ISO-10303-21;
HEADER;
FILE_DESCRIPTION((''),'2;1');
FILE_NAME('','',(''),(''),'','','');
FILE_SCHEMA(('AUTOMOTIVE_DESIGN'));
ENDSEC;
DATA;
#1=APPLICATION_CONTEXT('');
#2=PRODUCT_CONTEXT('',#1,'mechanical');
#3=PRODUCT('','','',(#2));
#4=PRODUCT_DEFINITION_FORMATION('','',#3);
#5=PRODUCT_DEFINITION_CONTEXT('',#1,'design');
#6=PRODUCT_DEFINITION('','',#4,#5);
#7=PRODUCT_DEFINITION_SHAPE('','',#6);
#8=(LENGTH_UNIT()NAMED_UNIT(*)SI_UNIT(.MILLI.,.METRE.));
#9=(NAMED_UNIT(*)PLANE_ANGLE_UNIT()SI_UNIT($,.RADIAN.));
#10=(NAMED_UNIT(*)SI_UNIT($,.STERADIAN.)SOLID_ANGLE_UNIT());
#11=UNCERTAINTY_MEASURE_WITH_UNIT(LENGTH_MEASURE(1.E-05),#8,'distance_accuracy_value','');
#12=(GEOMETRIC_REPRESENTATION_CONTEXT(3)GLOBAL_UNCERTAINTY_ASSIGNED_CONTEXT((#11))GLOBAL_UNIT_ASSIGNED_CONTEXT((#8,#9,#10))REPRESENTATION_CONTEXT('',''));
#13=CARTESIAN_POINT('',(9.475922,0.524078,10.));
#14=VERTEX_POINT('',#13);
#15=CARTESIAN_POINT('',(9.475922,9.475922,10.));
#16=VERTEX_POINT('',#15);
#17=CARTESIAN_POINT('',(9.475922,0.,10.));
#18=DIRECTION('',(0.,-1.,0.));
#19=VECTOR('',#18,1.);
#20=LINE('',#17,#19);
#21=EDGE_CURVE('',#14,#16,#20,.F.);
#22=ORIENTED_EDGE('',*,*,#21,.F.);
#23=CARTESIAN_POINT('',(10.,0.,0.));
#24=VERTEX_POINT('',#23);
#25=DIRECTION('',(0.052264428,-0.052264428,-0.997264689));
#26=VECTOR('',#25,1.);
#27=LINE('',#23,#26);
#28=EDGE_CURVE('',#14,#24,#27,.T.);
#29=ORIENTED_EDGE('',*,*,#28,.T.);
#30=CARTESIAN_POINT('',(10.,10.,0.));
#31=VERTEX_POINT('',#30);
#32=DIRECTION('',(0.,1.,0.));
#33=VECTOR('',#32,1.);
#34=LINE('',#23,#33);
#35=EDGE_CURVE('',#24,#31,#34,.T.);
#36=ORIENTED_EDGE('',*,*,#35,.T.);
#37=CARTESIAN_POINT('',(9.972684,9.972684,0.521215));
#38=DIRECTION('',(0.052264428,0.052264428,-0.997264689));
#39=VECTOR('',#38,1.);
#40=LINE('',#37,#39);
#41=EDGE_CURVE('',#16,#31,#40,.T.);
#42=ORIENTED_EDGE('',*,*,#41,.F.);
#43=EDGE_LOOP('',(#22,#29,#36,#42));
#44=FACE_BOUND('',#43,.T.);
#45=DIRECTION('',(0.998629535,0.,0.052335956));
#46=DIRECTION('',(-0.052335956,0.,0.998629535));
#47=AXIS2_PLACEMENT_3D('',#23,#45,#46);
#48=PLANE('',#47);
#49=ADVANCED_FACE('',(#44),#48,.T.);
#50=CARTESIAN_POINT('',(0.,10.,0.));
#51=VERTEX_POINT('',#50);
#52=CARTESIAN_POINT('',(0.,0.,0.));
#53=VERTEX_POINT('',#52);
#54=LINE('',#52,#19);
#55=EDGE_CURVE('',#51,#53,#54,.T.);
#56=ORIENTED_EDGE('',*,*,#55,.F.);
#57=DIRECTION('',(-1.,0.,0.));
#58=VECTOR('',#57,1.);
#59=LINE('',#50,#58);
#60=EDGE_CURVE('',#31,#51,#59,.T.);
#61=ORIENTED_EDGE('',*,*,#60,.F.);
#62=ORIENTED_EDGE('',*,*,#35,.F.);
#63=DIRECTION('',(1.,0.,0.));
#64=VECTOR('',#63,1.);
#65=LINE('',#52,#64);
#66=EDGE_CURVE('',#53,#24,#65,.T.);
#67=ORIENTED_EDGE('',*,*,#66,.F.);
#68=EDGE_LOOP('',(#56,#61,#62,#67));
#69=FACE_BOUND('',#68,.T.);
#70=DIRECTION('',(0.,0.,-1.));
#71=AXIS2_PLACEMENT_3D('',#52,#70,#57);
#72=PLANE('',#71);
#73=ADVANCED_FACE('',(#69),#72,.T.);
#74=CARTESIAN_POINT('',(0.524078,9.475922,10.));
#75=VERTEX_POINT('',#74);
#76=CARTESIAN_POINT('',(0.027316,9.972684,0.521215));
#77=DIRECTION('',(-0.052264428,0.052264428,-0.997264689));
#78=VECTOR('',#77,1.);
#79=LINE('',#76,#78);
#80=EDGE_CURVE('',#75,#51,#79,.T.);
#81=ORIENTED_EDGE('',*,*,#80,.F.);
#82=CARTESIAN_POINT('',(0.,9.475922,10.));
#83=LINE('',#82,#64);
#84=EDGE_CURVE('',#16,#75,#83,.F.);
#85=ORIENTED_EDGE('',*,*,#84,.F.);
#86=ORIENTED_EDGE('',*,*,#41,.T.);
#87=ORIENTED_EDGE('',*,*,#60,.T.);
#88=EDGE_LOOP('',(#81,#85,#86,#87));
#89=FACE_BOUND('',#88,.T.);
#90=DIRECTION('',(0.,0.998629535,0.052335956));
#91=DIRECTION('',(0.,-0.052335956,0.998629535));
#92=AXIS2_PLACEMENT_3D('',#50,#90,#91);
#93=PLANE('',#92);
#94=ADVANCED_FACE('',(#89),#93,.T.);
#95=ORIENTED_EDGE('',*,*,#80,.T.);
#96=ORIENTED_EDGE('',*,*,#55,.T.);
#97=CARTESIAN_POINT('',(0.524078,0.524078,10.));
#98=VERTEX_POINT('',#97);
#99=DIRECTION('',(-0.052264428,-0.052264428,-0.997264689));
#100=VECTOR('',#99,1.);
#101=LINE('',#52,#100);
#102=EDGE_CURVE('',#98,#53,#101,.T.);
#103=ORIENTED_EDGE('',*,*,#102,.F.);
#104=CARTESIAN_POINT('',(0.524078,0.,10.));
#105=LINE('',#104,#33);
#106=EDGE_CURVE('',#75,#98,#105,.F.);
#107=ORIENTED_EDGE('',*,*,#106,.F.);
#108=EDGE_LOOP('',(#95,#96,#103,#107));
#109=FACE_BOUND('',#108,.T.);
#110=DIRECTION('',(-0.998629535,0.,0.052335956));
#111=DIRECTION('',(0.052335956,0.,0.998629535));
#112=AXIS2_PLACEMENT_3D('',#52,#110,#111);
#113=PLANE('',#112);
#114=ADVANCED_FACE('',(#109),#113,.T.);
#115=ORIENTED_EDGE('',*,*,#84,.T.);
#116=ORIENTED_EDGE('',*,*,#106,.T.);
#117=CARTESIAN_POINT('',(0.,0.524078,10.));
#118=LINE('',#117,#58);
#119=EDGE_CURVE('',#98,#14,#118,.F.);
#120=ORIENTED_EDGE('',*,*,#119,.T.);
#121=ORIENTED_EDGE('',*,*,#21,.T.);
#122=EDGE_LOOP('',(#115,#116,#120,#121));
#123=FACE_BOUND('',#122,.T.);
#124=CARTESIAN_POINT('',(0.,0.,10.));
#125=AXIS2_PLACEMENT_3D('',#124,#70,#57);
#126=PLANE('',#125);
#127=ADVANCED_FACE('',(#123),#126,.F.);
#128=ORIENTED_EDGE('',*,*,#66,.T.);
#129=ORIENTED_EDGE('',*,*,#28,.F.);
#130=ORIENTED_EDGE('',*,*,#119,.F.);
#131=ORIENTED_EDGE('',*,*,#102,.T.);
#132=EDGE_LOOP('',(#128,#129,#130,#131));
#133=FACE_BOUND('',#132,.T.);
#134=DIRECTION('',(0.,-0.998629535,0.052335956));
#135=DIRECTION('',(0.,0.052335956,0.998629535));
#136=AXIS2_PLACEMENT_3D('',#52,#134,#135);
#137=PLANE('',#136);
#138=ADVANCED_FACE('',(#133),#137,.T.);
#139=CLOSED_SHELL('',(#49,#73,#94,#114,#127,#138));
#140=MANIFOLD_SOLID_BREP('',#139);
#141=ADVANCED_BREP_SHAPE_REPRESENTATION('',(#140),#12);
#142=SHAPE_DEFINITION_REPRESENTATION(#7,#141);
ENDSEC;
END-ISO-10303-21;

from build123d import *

# Parameters (mm, degrees)
SKETCH_1_W      = 10
SKETCH_1_H      = 10
EXTRUDE_1_DEPTH = 10
EXTRUDE_1_TAPER = 3


with BuildPart() as part:
    # 草图1 → 凸台-拉伸1 (new body)
    with BuildSketch(Plane.XY):
        with Locations((5, 5)):
            Rectangle(SKETCH_1_W, SKETCH_1_H)
    extrude(amount=EXTRUDE_1_DEPTH, taper=EXTRUDE_1_TAPER)


solid = part.part
